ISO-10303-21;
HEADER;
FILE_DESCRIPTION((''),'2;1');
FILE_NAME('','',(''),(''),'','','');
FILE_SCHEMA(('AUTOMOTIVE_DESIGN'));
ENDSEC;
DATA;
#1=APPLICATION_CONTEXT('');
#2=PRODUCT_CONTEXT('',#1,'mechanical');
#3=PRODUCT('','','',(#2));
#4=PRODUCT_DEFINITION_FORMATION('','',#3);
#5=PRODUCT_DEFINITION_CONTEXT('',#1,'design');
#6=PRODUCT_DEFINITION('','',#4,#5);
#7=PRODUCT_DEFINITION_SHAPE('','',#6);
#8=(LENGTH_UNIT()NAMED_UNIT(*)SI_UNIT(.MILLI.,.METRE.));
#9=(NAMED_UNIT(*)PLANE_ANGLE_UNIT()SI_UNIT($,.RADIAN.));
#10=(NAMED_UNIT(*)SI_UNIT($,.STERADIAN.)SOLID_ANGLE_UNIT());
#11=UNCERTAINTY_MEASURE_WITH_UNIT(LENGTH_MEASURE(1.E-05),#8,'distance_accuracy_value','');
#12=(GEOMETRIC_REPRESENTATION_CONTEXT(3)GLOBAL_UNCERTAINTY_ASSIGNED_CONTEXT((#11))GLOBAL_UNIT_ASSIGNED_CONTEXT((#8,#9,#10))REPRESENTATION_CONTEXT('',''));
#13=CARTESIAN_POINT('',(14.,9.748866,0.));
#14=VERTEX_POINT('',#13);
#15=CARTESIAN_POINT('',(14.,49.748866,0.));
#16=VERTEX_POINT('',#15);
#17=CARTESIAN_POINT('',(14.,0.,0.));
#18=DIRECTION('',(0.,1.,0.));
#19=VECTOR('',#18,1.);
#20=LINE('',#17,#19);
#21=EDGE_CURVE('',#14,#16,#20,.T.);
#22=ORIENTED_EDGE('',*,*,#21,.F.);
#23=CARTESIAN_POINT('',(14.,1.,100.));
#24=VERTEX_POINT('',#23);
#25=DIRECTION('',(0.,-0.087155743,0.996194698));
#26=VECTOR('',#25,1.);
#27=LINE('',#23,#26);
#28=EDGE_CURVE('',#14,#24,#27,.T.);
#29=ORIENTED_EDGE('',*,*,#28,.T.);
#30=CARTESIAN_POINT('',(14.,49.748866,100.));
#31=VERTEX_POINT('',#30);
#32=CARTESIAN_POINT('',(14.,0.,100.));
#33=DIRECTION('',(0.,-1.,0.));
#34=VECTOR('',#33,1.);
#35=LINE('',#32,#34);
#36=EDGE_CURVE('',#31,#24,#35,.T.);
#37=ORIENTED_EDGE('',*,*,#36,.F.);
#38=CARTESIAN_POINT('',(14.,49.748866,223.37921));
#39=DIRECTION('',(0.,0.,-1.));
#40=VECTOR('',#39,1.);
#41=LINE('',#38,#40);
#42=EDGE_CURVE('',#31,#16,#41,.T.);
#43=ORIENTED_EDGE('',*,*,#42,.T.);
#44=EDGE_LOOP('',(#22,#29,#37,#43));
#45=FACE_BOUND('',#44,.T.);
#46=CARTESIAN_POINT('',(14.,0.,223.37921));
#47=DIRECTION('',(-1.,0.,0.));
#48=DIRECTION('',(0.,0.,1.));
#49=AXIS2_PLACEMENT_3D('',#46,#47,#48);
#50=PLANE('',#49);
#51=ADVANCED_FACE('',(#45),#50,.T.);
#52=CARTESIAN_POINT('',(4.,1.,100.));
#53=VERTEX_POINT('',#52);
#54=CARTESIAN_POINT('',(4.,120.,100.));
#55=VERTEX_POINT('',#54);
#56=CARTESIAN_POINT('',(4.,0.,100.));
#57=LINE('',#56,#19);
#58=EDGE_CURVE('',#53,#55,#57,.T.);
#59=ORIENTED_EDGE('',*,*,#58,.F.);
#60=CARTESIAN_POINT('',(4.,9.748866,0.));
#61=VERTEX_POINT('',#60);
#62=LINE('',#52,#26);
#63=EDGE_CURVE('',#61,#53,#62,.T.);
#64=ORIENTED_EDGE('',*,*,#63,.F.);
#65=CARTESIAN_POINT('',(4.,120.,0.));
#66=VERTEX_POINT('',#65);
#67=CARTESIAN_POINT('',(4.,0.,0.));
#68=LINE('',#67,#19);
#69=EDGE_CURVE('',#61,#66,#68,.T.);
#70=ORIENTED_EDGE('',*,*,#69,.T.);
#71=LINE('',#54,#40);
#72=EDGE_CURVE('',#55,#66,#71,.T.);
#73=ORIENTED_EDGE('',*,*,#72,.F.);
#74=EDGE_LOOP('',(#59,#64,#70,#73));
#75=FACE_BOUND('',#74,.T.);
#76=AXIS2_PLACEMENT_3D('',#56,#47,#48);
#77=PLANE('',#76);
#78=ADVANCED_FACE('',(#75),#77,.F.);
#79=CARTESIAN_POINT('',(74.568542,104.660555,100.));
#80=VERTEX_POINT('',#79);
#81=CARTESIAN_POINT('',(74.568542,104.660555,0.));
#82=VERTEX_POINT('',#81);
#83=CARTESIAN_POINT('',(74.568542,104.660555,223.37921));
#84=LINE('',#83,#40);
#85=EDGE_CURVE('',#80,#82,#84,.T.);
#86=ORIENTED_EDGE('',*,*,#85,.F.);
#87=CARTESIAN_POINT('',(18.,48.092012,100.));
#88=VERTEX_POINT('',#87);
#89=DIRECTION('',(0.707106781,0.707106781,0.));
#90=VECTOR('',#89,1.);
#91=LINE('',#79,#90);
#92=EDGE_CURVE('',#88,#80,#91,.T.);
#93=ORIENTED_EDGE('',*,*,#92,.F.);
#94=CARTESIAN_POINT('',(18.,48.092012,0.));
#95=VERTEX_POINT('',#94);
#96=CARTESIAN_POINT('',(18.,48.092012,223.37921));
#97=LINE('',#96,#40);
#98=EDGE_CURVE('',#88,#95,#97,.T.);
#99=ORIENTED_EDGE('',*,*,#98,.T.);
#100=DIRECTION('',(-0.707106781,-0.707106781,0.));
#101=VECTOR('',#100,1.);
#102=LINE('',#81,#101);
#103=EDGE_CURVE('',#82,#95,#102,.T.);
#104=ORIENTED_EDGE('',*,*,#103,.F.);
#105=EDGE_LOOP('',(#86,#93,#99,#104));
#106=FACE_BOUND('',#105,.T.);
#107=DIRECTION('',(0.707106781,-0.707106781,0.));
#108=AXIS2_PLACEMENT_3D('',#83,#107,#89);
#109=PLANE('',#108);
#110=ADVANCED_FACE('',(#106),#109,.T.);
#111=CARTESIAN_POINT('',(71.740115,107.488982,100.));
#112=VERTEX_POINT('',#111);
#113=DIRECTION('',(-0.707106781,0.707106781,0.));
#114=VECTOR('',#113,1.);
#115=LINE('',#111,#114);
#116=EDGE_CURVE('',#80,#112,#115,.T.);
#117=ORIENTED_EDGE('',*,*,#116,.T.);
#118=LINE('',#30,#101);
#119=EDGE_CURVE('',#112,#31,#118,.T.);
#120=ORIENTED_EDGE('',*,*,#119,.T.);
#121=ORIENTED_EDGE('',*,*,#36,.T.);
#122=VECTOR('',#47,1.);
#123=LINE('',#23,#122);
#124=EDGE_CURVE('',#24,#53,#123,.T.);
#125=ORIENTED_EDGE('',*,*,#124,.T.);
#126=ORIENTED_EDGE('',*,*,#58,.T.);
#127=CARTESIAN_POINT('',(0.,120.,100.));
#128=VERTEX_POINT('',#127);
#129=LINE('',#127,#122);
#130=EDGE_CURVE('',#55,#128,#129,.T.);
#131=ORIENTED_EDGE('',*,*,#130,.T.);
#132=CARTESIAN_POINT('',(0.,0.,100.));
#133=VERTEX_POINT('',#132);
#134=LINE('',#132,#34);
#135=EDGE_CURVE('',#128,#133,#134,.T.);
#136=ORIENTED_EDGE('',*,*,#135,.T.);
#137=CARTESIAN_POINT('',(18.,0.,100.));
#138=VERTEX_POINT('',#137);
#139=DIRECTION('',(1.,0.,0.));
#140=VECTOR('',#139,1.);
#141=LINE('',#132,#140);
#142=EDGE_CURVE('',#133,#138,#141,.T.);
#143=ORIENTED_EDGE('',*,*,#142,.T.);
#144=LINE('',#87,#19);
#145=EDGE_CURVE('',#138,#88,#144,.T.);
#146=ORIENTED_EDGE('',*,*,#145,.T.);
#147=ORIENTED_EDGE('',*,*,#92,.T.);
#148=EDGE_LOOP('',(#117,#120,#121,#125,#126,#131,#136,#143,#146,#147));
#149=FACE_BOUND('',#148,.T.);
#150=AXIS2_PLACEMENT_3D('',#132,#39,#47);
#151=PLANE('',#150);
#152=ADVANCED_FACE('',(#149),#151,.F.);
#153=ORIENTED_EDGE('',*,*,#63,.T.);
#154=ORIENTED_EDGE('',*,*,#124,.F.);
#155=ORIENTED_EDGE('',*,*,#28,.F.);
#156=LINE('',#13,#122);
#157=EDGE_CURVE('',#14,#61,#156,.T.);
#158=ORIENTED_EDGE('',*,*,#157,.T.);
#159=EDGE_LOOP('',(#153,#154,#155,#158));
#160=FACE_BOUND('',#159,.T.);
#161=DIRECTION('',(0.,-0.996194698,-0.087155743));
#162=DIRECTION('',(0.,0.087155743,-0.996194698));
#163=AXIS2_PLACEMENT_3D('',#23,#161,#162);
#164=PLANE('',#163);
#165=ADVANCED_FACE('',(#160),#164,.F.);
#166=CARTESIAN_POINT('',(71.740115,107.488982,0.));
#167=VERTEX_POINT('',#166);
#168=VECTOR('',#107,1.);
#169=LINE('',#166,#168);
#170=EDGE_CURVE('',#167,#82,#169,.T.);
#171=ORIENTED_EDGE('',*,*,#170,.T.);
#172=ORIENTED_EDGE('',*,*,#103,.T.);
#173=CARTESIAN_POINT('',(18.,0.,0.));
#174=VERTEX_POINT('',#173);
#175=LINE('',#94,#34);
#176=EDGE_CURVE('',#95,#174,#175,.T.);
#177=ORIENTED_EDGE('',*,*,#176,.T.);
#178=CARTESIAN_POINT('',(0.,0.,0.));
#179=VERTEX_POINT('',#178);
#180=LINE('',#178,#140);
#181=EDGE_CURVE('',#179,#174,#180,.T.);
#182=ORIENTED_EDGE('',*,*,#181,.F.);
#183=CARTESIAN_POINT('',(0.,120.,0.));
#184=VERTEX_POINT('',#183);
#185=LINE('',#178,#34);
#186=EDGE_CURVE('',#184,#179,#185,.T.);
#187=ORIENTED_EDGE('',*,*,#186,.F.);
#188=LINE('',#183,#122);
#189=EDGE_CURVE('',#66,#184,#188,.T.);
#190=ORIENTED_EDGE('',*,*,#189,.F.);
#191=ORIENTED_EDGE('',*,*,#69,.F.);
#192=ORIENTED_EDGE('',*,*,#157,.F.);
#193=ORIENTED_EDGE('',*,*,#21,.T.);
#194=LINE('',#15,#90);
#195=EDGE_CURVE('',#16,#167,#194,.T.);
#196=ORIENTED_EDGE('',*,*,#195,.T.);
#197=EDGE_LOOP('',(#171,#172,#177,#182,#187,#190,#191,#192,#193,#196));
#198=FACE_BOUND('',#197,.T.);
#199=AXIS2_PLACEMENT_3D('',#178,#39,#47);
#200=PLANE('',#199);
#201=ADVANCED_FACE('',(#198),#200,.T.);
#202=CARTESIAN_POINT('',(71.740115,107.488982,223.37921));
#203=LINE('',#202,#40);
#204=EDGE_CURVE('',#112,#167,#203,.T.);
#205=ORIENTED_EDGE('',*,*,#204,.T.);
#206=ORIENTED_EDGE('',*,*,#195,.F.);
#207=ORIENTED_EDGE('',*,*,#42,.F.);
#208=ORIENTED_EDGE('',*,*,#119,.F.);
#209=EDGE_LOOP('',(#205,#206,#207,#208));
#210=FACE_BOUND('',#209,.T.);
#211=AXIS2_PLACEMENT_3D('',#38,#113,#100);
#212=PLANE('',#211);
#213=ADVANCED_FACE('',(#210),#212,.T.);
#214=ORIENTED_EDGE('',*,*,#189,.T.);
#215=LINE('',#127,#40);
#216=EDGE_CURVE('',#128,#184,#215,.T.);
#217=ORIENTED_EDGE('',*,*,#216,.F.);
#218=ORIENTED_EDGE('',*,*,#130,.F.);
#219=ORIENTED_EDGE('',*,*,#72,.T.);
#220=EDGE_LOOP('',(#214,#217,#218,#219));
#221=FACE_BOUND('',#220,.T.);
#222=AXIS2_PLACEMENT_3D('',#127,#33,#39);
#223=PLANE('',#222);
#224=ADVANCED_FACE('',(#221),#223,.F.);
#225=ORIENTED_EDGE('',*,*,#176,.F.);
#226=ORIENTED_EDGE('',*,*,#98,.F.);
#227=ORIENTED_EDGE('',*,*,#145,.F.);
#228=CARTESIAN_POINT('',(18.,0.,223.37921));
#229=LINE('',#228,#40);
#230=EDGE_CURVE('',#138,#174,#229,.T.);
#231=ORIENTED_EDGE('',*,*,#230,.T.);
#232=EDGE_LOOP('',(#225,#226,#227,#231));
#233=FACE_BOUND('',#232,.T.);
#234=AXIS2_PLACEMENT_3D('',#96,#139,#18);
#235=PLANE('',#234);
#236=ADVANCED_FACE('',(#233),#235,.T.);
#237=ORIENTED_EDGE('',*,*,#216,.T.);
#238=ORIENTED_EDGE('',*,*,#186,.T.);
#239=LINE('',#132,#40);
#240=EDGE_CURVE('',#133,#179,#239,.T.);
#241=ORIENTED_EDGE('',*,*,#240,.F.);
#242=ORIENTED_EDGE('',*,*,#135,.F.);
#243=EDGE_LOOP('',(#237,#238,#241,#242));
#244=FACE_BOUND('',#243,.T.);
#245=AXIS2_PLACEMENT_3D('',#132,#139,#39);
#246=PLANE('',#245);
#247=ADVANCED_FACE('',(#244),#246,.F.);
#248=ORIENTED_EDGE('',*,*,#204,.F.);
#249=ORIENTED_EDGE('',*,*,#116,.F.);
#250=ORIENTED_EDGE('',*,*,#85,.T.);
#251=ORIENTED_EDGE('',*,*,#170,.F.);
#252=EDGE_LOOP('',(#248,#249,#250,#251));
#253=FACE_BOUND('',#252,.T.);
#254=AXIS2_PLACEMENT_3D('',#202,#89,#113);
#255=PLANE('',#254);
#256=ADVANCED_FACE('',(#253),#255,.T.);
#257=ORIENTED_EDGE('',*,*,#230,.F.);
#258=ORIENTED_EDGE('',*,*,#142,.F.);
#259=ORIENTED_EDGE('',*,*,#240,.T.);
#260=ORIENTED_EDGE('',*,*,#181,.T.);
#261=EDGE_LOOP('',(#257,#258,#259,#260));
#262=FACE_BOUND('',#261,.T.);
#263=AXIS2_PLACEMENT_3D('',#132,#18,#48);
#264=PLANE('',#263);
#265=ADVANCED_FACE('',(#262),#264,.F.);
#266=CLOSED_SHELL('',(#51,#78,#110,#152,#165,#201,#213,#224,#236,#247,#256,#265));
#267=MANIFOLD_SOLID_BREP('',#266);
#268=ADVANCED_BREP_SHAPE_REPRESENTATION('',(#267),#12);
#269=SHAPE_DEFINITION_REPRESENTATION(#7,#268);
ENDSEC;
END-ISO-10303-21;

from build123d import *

# Parameters (mm, degrees)
SKETCH1_W           = 4
SKETCH1_H           = 120
BOSS_EXTRUDE1_DEPTH = 100
BOSS_EXTRUDE2_DEPTH = 10
BOSS_EXTRUDE3_DEPTH = 100


with BuildPart() as part:
    # Sketch1 → Boss-Extrude1 (new body)
    with BuildSketch(Plane.XY):
        with Locations((2, 60)):
            Rectangle(SKETCH1_W, SKETCH1_H)
    extrude(amount=BOSS_EXTRUDE1_DEPTH)

    # Sketch2 → Boss-Extrude2 (add)
    with BuildSketch(Plane(origin=(4, 0, 0), x_dir=(0, 0, -1), z_dir=(1, 0, 0))):
        Polygon((-100, 0), (-100, 1), (0, 9.748866353), (0, 0), align=None)
    extrude(amount=BOSS_EXTRUDE2_DEPTH)

    # Sketch4 → Boss-Extrude3 (add)
    with BuildSketch(Plane(origin=(0, 0, 0), x_dir=(-1, 0, 0), z_dir=(0, 0, -1))):
        Polygon((-14, 0), (-14, 49.748866353), (-71.74011537, 107.488981723), (-74.568542495, 104.660554598), (-18, 48.092012103), (-18, 0), align=None)
    extrude(amount=-BOSS_EXTRUDE3_DEPTH)


solid = part.part
